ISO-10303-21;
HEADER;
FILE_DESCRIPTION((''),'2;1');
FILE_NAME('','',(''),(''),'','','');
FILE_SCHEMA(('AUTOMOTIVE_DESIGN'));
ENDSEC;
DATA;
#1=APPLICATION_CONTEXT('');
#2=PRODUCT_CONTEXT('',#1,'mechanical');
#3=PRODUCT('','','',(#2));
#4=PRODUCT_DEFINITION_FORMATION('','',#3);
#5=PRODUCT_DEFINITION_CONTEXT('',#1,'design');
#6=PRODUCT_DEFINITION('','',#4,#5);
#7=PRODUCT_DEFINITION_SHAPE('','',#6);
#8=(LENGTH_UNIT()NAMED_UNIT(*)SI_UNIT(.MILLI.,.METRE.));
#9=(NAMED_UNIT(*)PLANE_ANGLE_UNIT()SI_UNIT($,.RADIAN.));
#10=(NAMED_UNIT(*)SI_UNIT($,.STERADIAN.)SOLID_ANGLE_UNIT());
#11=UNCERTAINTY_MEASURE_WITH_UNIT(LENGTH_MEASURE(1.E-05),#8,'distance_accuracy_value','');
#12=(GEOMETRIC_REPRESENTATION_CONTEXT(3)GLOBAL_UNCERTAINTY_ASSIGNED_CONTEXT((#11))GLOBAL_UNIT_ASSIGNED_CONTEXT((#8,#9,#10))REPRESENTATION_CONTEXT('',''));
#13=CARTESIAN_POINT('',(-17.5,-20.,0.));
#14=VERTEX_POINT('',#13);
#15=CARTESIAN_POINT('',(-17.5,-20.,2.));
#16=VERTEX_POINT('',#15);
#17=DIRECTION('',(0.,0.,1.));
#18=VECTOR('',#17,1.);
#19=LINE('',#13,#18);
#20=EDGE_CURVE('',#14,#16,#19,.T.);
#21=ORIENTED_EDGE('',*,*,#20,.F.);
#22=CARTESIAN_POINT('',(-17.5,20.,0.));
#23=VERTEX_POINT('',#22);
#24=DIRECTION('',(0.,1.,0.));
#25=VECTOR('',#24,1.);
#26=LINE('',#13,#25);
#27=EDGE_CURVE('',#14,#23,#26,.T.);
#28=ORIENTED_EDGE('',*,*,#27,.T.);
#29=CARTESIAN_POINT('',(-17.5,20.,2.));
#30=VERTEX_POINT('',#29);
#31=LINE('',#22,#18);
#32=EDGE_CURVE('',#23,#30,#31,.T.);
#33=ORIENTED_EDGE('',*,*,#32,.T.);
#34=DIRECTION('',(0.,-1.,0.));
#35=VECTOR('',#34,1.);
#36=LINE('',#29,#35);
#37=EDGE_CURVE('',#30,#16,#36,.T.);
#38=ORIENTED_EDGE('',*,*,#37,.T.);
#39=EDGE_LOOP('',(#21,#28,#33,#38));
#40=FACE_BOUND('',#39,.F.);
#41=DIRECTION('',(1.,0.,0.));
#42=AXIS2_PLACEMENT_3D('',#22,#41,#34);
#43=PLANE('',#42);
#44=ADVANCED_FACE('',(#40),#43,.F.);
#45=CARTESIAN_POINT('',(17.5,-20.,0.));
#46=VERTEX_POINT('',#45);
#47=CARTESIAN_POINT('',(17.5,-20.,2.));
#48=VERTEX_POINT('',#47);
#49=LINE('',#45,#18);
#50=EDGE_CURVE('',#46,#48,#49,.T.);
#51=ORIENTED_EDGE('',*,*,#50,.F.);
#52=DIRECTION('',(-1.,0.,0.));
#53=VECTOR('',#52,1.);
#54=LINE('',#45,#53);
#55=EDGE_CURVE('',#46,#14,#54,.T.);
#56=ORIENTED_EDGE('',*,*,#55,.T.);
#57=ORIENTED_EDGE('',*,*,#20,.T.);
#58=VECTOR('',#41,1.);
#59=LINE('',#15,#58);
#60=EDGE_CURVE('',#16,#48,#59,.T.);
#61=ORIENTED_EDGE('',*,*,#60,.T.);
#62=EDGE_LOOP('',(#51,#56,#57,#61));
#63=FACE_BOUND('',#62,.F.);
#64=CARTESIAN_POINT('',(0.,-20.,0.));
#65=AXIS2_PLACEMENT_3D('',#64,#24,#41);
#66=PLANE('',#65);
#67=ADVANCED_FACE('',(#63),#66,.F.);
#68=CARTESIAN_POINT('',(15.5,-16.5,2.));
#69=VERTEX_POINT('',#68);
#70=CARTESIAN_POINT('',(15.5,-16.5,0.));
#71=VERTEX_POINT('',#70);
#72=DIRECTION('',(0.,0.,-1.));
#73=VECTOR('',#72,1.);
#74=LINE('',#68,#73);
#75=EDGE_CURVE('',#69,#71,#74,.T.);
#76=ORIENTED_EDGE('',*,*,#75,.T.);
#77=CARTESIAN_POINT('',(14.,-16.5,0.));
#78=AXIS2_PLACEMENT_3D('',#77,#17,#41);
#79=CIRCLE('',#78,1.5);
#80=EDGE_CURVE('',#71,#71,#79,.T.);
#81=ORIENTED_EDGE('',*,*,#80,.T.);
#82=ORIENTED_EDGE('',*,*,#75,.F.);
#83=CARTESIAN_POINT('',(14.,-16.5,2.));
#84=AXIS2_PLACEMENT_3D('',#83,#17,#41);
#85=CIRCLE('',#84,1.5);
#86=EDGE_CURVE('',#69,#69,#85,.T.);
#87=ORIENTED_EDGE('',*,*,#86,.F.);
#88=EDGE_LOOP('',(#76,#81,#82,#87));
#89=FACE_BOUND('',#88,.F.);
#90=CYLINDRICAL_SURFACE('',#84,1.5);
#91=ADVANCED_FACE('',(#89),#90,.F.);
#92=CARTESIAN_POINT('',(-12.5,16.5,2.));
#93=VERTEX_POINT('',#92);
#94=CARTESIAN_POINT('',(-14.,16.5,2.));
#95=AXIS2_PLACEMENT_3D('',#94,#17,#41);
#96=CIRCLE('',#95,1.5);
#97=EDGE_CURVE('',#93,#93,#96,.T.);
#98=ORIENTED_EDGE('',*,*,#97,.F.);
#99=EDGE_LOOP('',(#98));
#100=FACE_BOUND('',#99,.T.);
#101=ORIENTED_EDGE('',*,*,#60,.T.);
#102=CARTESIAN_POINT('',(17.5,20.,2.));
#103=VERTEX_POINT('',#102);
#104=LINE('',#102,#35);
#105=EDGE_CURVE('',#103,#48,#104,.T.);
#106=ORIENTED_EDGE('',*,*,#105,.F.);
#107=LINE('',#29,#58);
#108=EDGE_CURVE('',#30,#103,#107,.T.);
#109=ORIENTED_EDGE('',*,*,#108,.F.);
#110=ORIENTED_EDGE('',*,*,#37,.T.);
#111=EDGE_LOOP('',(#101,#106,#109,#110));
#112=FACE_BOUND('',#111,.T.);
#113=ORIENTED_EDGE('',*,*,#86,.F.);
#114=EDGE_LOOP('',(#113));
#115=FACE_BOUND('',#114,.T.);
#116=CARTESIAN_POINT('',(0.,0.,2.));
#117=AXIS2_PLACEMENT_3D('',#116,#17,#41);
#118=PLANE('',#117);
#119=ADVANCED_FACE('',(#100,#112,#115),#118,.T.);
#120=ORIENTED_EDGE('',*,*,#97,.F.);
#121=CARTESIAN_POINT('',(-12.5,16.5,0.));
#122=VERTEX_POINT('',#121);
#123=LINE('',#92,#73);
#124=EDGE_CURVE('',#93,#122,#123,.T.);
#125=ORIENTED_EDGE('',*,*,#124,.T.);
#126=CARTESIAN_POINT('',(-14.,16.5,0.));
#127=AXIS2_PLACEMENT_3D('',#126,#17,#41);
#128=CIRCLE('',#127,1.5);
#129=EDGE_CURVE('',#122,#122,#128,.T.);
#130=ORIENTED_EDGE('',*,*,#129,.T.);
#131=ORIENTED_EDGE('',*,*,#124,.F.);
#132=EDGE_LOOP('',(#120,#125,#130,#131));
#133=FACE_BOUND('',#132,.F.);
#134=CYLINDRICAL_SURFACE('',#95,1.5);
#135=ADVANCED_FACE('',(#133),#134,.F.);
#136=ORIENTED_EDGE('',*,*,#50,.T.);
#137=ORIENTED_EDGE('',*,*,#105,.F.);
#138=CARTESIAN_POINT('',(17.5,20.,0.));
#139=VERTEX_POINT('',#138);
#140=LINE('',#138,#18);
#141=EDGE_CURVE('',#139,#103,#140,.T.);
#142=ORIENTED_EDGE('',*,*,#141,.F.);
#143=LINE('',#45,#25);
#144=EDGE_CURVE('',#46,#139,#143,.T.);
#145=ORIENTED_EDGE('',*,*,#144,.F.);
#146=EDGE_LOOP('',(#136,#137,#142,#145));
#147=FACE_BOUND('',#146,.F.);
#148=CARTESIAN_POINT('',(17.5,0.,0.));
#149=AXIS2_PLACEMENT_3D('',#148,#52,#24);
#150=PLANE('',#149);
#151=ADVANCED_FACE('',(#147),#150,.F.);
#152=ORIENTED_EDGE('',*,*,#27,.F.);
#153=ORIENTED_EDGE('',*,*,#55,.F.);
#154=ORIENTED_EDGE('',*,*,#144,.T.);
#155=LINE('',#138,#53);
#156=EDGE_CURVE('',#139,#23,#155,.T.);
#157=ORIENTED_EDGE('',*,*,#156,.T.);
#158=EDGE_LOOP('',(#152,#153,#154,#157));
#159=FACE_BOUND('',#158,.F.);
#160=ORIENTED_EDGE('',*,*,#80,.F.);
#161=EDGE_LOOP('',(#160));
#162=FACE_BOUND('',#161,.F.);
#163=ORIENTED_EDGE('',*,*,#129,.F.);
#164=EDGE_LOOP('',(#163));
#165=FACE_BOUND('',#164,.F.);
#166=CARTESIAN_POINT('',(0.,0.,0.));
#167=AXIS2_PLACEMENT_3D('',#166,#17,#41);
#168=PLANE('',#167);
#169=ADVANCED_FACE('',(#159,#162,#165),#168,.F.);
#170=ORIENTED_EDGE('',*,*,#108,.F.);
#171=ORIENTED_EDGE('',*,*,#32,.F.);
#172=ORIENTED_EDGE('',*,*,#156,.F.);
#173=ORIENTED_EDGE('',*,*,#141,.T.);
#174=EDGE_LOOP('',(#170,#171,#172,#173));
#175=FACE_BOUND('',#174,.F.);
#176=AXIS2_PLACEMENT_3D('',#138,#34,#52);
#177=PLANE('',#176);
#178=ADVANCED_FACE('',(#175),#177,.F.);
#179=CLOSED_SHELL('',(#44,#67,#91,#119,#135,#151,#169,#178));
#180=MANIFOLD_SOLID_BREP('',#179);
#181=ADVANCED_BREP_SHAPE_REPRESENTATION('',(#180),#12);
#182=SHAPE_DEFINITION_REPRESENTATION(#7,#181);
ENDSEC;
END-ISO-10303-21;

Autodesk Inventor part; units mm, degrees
ref_plane "YZ Plane" through (0, 0, 0) normal (1, 0, 0) x (0, 1, 0)
ref_plane "XZ Plane" through (0, 0, 0) normal (0, 1, 0) x (-1, 0, 0)
ref_plane "XY Plane" through (0, 0, 0) normal (0, 0, 1) x (1, 0, 0)
sketch "Sketch1" plane through (0, 0, 0) normal (0, 0, 1) x (1, 0, 0)
  line L0 (0, 0) -> (17.5, 0)
  line L1 (17.5, 0) -> (17.5, 20)
  line L2 (17.5, 20) -> (0, 20)
  line L3 (0, 20) -> (0, 0)
  line L4 (0, 0) -> (-17.5, 0)
  line L5 (-17.5, 0) -> (-17.5, -20)
  line L6 (-17.5, -20) -> (0, -20)
  line L7 (0, -20) -> (0, 0)
  line L8 (-17.5, -20) -> (17.5, -20)
  line L9 (17.5, -20) -> (17.5, 20)
  line L10 (17.5, 20) -> (-17.5, 20)
  line L11 (-17.5, 20) -> (-17.5, -20)
  point P0 (0, 20)
  point P1 (0, -20)
  dimension "d7" = 40
  dimension "d8" = 35
extrude "Extrusion1" add sketch "Sketch1" along normal blind 2
sketch "Sketch2" plane through (0, 0, 2) normal (0, 0, 1) x (1, 0, 0)
  line L0 (17.5, -20) -> (-17.5, -20) construction
  line L1 (17.5, 20) -> (17.5, -20) construction
  line L2 (-17.5, 20) -> (17.5, 20) construction
  line L3 (-17.5, -20) -> (-17.5, 20) construction
  line L4 (14, 16.5) -> (14, -16.5) construction
  line L5 (14, -16.5) -> (-14, -16.5) construction
  line L6 (-14, -16.5) -> (-14, 16.5) construction
  line L7 (-14, 16.5) -> (14, 16.5) construction
  circle A0 centre (-14, 16.5) radius 1.5
  circle A1 centre (14, -16.5) radius 1.5
  point P0 (0, 0)
  dimension "d9" = 3
  dimension "d10" = 3.5
extrude "Extrusion2" cut sketch "Sketch2" against normal through all
properties part number "Bottom"
